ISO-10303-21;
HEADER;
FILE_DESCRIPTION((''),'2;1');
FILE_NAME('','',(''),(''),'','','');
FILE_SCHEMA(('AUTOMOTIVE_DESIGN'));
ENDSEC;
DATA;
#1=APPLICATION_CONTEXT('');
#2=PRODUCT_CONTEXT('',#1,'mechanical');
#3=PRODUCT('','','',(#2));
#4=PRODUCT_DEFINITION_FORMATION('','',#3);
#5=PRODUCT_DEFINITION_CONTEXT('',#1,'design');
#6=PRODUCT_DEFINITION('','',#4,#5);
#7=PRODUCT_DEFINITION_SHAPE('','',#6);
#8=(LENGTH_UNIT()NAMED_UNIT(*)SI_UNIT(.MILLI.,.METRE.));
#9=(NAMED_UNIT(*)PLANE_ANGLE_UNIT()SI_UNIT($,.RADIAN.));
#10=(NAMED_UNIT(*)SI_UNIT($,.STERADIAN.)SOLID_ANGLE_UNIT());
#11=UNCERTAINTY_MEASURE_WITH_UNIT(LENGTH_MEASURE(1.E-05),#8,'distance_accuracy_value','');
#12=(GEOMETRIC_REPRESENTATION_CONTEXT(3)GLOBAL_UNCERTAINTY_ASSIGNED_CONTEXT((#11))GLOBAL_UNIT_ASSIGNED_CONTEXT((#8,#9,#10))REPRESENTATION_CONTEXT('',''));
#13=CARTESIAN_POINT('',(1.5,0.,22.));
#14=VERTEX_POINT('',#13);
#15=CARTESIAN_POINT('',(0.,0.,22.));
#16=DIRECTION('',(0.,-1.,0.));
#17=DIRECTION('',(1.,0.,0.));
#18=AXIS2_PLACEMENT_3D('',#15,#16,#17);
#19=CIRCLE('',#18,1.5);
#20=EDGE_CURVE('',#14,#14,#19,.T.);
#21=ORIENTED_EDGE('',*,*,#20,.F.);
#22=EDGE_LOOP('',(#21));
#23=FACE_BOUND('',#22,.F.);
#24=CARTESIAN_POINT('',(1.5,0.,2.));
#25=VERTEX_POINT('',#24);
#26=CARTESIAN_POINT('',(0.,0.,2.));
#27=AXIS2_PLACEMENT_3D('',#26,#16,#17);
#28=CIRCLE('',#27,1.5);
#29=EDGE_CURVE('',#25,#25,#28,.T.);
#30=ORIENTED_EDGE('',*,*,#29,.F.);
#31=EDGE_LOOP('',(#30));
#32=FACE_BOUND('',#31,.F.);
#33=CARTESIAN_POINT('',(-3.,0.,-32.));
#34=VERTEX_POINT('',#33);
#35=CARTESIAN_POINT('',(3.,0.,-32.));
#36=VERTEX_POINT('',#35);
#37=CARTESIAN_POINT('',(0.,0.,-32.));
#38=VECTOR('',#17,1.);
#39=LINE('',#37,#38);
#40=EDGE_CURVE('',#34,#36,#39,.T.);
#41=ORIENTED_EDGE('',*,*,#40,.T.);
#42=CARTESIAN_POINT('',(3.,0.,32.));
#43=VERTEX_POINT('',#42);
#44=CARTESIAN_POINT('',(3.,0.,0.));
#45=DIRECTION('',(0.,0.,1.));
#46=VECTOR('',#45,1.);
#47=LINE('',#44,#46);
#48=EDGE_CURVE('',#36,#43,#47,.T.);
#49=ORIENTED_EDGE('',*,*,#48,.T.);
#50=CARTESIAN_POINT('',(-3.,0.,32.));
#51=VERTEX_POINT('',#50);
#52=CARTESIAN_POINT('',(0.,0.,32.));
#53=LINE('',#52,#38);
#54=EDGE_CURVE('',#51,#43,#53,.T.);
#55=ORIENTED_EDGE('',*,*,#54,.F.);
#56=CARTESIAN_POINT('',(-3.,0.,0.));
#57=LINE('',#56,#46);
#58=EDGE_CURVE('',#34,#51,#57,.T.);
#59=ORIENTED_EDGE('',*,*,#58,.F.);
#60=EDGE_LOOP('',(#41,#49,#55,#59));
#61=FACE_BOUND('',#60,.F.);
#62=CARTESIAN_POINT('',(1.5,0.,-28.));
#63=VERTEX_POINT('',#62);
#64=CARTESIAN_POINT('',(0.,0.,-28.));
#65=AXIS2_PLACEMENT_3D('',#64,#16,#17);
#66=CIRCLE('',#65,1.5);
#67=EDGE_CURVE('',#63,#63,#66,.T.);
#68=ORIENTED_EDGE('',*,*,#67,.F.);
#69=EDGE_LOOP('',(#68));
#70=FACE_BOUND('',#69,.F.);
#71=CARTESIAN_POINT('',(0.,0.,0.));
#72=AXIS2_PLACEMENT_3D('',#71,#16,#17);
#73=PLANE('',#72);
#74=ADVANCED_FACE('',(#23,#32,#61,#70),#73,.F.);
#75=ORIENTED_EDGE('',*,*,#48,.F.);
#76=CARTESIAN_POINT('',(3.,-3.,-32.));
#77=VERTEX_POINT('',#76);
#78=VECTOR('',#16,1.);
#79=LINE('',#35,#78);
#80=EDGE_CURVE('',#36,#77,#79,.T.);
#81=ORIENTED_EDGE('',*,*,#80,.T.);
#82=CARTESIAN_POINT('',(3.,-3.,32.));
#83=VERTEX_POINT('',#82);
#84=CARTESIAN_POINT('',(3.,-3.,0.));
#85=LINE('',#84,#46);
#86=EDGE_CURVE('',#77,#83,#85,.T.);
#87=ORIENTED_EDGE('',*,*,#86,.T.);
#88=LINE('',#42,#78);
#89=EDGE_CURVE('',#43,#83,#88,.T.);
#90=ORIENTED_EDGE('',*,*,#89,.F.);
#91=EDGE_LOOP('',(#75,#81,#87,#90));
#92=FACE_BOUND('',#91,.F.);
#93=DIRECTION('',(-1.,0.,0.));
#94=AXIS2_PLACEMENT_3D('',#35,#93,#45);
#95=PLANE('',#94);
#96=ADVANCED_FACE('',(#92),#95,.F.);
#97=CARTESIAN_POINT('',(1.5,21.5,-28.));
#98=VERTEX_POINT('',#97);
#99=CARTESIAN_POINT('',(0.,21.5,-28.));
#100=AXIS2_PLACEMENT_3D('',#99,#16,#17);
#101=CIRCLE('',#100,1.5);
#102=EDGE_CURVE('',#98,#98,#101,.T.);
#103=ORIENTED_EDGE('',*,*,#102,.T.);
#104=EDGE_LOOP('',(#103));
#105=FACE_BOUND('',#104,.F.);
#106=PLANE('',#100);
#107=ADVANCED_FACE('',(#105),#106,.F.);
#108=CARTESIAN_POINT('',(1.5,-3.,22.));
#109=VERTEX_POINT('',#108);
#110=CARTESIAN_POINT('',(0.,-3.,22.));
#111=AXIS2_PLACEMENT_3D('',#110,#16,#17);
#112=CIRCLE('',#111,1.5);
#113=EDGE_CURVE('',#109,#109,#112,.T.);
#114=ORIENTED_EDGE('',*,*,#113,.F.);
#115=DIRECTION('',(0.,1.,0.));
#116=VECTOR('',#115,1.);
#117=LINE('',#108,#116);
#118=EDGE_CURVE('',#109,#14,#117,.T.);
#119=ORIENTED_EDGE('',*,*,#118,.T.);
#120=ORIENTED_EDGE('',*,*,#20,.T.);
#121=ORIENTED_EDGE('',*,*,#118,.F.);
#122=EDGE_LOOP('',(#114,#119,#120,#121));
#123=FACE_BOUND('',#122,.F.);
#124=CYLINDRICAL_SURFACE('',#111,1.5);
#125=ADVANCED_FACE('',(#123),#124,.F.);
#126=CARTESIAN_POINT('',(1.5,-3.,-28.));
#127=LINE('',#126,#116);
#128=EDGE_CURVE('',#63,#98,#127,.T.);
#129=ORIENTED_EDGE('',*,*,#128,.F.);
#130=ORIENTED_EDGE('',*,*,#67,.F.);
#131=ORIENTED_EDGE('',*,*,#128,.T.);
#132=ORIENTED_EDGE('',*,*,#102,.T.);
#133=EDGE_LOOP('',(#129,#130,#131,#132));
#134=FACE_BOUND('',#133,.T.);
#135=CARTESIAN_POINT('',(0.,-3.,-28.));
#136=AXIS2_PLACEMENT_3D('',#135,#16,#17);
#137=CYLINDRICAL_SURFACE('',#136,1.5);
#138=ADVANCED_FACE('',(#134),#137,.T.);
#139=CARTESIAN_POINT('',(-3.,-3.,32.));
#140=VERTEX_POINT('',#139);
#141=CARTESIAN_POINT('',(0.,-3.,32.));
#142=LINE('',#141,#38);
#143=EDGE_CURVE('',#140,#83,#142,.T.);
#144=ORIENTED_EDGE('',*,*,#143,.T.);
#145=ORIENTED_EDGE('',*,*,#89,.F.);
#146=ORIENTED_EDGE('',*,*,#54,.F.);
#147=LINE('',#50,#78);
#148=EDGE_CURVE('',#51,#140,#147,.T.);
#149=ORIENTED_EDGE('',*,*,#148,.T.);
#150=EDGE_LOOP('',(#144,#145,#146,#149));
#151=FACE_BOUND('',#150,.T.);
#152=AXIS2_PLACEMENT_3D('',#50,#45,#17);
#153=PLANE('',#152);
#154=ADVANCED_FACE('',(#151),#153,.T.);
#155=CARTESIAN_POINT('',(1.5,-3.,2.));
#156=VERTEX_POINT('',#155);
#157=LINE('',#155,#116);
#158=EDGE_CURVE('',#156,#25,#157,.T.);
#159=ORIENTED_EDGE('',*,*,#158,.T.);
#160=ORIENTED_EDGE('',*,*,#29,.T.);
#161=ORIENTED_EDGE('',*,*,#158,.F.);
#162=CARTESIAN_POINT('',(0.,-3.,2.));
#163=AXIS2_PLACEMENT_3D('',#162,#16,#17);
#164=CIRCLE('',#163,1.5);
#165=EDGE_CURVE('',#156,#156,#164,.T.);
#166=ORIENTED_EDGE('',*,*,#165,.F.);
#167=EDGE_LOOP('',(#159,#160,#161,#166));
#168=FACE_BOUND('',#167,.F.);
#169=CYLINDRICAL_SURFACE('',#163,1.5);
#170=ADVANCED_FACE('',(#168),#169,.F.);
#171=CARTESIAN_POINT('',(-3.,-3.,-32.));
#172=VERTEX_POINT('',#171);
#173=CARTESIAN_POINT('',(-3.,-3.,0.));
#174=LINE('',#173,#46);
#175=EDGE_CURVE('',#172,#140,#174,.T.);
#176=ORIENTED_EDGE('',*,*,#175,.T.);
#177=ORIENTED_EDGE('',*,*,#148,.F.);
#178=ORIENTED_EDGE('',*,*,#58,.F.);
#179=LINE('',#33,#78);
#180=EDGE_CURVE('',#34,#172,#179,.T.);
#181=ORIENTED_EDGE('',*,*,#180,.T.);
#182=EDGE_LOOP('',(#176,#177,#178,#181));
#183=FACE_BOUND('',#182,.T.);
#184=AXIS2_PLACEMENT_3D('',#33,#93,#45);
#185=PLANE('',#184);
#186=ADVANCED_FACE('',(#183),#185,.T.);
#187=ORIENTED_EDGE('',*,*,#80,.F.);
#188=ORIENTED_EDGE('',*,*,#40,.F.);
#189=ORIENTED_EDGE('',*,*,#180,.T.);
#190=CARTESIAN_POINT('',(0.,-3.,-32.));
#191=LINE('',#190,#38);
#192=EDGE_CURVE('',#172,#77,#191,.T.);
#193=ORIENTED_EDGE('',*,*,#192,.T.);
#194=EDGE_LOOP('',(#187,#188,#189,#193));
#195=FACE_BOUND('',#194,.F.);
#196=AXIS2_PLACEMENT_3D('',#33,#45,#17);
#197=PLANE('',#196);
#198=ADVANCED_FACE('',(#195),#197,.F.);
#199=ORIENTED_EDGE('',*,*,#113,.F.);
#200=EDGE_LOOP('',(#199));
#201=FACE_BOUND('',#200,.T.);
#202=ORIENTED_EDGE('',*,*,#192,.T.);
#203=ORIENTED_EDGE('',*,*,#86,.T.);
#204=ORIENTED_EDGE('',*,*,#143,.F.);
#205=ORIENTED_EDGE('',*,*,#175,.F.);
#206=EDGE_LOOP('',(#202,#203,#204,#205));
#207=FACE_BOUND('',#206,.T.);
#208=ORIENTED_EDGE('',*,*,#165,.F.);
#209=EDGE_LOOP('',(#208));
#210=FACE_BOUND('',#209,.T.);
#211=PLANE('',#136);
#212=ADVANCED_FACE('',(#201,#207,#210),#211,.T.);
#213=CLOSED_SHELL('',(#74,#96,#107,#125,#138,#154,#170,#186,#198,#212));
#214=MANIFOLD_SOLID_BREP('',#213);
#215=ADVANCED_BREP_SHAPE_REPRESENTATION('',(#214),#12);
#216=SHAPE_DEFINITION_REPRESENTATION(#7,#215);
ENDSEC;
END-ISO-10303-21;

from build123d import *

# Parameters (mm, degrees)
F0_W     = 6
F0_H     = 64
F1_DEPTH = 3
F2_R     = 1.5
F3_DEPTH = 5
F4_R     = 1.5
F5_DEPTH = 24.5


with BuildPart() as f1:
    # F0 (on Front) → F1 (new body)
    with BuildSketch(Plane.XZ):
        Rectangle(F0_W, F0_H)
    extrude(amount=F1_DEPTH)

    # F2 (on face) → F3 (cut)
    with BuildSketch(Plane.XZ.offset(3)):
        with Locations((0, 2)):
            Circle(F2_R)
        with Locations((0, 22)):
            Circle(F2_R)
    extrude(amount=-F3_DEPTH, mode=Mode.SUBTRACT)

    # F4 (on face) → F5 (join)
    with BuildSketch(Plane.XZ.offset(3)):
        with Locations((0, -28)):
            Circle(F4_R)
    extrude(amount=-F5_DEPTH)


solid = f1.part
